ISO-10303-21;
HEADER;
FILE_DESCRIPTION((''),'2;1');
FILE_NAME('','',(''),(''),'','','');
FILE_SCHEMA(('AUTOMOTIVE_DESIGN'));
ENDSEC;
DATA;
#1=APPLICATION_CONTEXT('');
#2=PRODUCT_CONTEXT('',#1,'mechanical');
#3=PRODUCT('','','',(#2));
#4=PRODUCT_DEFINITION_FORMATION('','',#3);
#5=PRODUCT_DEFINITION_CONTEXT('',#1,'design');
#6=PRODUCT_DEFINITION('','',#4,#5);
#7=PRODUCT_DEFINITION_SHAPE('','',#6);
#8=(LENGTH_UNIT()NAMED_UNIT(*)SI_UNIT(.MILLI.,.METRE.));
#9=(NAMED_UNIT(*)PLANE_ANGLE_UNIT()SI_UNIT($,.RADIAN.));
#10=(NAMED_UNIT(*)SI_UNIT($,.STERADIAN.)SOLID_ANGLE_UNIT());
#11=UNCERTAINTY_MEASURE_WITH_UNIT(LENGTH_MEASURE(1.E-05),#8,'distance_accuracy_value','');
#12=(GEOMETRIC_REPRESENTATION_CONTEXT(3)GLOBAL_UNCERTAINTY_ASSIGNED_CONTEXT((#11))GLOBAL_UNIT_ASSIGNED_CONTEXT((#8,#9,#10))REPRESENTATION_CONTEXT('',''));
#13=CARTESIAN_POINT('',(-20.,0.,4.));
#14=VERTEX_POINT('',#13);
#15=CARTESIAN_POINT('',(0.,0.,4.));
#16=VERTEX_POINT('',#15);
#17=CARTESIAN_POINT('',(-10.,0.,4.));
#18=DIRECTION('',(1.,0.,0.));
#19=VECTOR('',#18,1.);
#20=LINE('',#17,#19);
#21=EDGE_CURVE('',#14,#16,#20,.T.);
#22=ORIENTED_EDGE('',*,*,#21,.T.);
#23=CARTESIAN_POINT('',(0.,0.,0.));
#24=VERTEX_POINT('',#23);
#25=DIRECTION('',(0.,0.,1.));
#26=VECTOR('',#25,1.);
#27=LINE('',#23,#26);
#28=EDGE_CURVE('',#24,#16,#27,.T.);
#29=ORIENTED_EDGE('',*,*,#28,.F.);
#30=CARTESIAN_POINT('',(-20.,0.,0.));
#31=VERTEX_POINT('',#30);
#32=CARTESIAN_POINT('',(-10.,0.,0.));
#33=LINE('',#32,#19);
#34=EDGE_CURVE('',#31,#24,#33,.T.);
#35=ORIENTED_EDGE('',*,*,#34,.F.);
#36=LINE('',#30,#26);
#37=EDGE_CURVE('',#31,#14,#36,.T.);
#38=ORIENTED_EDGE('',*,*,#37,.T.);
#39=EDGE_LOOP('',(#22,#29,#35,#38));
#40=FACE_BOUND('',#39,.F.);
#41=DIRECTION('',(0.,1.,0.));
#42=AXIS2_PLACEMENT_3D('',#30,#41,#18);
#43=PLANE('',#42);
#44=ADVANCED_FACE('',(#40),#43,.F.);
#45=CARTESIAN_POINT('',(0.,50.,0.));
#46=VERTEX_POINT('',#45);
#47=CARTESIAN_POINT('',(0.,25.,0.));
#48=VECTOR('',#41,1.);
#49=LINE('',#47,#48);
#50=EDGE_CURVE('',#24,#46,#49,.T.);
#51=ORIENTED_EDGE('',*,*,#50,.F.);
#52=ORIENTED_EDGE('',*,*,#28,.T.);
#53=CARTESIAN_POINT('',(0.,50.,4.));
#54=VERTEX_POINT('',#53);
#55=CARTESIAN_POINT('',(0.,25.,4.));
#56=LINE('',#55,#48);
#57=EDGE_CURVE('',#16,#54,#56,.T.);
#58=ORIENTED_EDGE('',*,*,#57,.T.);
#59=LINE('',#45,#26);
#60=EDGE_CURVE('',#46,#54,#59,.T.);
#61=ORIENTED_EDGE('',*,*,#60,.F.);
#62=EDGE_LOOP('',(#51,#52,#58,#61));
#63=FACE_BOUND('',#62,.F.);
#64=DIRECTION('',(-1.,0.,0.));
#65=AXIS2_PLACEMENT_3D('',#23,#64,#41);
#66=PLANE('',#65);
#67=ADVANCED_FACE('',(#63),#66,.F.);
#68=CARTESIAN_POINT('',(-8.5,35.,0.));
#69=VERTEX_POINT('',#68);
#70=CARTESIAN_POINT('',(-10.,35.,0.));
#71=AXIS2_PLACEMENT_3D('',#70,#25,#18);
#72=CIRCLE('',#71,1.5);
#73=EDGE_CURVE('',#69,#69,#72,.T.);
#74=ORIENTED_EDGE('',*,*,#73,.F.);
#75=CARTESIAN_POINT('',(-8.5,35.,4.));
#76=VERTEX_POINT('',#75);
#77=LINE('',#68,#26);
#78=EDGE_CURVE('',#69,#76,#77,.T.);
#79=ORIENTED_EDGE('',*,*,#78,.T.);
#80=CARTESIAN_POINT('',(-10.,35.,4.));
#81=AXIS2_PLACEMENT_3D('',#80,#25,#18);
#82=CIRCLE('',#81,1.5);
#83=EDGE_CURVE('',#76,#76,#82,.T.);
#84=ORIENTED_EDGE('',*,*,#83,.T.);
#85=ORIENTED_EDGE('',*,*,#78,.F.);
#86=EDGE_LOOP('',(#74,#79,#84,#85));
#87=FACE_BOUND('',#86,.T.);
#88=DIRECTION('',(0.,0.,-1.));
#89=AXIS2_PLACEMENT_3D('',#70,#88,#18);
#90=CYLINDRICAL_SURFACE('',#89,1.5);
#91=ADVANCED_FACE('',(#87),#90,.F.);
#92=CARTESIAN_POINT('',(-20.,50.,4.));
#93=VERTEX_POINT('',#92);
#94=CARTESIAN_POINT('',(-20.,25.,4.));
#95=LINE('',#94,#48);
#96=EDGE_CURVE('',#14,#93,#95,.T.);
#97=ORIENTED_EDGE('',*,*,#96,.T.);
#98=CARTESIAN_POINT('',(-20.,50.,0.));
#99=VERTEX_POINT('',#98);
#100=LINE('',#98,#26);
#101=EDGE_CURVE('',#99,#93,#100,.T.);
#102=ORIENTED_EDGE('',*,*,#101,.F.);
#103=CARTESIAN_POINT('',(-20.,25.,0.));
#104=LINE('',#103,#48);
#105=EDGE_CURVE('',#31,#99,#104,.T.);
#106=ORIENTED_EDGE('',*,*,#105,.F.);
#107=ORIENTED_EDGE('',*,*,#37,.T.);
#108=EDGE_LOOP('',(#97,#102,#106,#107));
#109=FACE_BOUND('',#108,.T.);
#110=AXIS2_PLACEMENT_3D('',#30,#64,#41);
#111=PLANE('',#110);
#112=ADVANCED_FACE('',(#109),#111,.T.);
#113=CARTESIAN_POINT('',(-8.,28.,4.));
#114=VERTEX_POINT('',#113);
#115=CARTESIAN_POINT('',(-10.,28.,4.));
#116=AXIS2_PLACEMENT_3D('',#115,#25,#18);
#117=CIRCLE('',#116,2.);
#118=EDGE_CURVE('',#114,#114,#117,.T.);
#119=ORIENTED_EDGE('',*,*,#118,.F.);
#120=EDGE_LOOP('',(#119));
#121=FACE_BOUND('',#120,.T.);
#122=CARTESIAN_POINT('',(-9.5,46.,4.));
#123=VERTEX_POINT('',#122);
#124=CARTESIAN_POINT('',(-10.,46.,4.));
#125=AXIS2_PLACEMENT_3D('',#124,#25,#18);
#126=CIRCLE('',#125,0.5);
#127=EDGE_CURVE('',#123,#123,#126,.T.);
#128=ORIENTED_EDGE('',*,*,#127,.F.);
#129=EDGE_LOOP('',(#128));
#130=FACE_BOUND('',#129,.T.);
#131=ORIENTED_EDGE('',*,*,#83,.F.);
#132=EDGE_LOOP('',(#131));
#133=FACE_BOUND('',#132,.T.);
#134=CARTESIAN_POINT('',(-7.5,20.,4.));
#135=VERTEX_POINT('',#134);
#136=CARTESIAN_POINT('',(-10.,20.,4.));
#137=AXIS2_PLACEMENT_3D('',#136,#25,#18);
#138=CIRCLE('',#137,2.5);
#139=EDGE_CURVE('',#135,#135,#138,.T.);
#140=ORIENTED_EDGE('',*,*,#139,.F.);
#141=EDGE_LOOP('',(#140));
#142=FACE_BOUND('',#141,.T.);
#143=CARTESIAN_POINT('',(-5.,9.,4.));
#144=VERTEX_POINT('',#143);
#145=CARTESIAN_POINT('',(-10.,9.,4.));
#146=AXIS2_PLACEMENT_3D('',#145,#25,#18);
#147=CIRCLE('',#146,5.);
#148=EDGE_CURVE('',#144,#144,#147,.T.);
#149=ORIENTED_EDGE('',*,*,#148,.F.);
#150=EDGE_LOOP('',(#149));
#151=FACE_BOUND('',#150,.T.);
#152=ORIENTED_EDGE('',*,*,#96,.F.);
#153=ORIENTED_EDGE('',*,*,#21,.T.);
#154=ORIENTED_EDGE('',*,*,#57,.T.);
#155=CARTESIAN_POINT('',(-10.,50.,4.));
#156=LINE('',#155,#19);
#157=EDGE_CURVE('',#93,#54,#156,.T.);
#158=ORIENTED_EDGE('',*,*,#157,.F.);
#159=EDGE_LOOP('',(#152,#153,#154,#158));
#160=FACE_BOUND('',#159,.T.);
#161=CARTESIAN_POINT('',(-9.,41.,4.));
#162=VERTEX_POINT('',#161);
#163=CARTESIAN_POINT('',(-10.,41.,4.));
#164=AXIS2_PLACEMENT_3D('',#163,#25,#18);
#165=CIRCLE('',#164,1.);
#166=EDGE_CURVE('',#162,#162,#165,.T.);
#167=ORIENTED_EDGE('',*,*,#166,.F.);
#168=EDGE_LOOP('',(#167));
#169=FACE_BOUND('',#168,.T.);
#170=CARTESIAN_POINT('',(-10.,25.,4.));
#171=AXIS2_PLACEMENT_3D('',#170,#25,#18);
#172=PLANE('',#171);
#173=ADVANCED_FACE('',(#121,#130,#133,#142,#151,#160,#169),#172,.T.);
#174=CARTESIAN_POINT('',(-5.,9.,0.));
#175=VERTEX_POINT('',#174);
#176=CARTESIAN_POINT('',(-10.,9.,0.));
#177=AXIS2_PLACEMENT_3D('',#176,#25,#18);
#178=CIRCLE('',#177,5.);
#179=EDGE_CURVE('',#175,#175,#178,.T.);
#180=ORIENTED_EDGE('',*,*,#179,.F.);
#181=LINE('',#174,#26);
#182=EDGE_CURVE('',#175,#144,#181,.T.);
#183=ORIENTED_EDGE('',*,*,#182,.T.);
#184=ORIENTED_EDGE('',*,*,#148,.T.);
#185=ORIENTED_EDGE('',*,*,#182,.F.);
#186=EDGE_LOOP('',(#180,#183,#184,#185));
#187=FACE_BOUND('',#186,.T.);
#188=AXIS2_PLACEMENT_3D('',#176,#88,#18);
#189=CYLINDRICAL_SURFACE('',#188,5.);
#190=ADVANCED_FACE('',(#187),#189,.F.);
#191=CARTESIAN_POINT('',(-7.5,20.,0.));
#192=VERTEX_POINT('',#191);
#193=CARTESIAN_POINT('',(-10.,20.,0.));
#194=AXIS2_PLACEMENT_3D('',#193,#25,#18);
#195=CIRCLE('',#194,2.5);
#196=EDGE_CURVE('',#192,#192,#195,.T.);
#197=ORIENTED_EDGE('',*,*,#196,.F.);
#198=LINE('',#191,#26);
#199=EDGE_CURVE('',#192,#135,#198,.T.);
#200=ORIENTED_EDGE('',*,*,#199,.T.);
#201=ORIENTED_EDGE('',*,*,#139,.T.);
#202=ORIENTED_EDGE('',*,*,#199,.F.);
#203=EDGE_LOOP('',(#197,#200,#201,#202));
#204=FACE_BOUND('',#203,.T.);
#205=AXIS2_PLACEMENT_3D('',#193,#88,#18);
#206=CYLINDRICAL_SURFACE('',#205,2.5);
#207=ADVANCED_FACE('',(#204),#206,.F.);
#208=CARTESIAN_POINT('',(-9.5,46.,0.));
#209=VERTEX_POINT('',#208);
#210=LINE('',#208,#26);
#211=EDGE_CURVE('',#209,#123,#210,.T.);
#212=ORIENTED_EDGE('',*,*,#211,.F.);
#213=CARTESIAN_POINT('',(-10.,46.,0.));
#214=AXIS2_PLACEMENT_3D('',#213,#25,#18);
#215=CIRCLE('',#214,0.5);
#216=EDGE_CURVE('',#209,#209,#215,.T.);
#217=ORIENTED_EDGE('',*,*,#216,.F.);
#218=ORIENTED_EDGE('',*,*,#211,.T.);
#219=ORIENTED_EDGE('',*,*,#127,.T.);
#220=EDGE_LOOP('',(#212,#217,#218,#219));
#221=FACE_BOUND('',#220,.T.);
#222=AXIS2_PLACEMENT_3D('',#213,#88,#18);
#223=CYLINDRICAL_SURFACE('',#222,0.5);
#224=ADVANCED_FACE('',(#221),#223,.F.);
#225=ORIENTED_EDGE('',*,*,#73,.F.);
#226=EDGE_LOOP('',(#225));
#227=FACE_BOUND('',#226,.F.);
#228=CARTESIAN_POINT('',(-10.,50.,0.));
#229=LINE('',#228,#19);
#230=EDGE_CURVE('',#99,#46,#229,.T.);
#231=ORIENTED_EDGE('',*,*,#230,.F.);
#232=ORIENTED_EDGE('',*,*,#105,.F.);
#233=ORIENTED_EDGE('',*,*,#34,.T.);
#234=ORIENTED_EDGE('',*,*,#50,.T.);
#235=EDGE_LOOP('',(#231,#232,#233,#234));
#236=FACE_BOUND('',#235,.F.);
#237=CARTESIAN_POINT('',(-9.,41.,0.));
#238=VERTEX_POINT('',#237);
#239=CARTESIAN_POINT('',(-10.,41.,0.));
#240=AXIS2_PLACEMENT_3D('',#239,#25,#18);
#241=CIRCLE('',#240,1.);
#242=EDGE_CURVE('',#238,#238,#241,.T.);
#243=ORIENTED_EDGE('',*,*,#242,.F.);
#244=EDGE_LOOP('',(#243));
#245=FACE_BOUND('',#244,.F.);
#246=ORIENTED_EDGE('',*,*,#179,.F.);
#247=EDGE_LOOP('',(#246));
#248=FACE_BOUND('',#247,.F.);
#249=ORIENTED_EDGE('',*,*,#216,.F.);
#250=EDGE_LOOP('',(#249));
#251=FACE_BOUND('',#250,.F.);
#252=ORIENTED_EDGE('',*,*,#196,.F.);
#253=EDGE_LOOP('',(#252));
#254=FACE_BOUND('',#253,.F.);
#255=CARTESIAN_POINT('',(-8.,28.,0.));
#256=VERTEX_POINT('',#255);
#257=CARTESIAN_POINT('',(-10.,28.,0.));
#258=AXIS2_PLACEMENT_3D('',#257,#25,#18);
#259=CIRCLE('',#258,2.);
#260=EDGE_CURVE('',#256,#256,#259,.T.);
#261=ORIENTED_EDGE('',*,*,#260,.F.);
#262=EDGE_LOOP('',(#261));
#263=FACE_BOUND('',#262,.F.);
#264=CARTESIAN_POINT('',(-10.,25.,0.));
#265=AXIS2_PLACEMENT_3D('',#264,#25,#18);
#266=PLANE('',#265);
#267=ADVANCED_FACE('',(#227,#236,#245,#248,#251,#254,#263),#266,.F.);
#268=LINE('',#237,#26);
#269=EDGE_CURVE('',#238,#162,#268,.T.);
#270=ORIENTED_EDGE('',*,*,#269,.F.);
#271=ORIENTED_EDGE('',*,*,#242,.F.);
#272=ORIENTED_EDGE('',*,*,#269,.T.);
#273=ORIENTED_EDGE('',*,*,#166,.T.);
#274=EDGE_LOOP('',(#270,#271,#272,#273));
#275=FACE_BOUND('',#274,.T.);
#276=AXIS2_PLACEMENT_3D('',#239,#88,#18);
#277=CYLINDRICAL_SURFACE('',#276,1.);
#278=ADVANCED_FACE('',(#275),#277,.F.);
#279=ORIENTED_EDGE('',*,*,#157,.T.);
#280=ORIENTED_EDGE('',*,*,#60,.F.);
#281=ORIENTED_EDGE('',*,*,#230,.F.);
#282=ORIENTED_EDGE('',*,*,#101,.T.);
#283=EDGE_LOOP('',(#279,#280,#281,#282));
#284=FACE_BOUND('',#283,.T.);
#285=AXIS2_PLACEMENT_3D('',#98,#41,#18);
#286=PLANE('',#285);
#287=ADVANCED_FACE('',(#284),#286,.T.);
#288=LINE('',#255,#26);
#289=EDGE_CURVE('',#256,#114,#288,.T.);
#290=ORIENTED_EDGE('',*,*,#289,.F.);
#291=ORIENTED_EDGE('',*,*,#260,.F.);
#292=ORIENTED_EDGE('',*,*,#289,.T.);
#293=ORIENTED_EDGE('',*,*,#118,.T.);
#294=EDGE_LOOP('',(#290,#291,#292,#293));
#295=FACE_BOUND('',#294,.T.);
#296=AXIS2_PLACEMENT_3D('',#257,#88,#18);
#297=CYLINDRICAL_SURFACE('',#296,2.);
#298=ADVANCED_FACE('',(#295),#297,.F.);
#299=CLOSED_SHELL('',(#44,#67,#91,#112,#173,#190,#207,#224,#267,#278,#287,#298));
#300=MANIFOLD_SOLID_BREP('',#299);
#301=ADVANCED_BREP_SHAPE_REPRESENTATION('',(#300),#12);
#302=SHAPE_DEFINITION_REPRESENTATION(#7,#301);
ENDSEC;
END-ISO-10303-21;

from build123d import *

# Parameters (mm, degrees)
F0_W     = 20
F0_H     = 50
F0_R     = 5
F0_R_2   = 2.5
F0_R_3   = 2
F0_R_4   = 1.5
F0_R_5   = 1
F0_R_6   = 0.5
F1_DEPTH = 4


with BuildPart() as f1:
    # F0 (on Top) → F1 (new body)
    with BuildSketch(Plane.XY):
        with Locations((-10, 25)):
            Rectangle(F0_W, F0_H)
        with Locations((-10, 9)):
            Circle(F0_R, mode=Mode.SUBTRACT)
        with Locations((-10, 20)):
            Circle(F0_R_2, mode=Mode.SUBTRACT)
        with Locations((-10, 28)):
            Circle(F0_R_3, mode=Mode.SUBTRACT)
        with Locations((-10, 35)):
            Circle(F0_R_4, mode=Mode.SUBTRACT)
        with Locations((-10, 41)):
            Circle(F0_R_5, mode=Mode.SUBTRACT)
        with Locations((-10, 46)):
            Circle(F0_R_6, mode=Mode.SUBTRACT)
    extrude(amount=F1_DEPTH)


solid = f1.part
